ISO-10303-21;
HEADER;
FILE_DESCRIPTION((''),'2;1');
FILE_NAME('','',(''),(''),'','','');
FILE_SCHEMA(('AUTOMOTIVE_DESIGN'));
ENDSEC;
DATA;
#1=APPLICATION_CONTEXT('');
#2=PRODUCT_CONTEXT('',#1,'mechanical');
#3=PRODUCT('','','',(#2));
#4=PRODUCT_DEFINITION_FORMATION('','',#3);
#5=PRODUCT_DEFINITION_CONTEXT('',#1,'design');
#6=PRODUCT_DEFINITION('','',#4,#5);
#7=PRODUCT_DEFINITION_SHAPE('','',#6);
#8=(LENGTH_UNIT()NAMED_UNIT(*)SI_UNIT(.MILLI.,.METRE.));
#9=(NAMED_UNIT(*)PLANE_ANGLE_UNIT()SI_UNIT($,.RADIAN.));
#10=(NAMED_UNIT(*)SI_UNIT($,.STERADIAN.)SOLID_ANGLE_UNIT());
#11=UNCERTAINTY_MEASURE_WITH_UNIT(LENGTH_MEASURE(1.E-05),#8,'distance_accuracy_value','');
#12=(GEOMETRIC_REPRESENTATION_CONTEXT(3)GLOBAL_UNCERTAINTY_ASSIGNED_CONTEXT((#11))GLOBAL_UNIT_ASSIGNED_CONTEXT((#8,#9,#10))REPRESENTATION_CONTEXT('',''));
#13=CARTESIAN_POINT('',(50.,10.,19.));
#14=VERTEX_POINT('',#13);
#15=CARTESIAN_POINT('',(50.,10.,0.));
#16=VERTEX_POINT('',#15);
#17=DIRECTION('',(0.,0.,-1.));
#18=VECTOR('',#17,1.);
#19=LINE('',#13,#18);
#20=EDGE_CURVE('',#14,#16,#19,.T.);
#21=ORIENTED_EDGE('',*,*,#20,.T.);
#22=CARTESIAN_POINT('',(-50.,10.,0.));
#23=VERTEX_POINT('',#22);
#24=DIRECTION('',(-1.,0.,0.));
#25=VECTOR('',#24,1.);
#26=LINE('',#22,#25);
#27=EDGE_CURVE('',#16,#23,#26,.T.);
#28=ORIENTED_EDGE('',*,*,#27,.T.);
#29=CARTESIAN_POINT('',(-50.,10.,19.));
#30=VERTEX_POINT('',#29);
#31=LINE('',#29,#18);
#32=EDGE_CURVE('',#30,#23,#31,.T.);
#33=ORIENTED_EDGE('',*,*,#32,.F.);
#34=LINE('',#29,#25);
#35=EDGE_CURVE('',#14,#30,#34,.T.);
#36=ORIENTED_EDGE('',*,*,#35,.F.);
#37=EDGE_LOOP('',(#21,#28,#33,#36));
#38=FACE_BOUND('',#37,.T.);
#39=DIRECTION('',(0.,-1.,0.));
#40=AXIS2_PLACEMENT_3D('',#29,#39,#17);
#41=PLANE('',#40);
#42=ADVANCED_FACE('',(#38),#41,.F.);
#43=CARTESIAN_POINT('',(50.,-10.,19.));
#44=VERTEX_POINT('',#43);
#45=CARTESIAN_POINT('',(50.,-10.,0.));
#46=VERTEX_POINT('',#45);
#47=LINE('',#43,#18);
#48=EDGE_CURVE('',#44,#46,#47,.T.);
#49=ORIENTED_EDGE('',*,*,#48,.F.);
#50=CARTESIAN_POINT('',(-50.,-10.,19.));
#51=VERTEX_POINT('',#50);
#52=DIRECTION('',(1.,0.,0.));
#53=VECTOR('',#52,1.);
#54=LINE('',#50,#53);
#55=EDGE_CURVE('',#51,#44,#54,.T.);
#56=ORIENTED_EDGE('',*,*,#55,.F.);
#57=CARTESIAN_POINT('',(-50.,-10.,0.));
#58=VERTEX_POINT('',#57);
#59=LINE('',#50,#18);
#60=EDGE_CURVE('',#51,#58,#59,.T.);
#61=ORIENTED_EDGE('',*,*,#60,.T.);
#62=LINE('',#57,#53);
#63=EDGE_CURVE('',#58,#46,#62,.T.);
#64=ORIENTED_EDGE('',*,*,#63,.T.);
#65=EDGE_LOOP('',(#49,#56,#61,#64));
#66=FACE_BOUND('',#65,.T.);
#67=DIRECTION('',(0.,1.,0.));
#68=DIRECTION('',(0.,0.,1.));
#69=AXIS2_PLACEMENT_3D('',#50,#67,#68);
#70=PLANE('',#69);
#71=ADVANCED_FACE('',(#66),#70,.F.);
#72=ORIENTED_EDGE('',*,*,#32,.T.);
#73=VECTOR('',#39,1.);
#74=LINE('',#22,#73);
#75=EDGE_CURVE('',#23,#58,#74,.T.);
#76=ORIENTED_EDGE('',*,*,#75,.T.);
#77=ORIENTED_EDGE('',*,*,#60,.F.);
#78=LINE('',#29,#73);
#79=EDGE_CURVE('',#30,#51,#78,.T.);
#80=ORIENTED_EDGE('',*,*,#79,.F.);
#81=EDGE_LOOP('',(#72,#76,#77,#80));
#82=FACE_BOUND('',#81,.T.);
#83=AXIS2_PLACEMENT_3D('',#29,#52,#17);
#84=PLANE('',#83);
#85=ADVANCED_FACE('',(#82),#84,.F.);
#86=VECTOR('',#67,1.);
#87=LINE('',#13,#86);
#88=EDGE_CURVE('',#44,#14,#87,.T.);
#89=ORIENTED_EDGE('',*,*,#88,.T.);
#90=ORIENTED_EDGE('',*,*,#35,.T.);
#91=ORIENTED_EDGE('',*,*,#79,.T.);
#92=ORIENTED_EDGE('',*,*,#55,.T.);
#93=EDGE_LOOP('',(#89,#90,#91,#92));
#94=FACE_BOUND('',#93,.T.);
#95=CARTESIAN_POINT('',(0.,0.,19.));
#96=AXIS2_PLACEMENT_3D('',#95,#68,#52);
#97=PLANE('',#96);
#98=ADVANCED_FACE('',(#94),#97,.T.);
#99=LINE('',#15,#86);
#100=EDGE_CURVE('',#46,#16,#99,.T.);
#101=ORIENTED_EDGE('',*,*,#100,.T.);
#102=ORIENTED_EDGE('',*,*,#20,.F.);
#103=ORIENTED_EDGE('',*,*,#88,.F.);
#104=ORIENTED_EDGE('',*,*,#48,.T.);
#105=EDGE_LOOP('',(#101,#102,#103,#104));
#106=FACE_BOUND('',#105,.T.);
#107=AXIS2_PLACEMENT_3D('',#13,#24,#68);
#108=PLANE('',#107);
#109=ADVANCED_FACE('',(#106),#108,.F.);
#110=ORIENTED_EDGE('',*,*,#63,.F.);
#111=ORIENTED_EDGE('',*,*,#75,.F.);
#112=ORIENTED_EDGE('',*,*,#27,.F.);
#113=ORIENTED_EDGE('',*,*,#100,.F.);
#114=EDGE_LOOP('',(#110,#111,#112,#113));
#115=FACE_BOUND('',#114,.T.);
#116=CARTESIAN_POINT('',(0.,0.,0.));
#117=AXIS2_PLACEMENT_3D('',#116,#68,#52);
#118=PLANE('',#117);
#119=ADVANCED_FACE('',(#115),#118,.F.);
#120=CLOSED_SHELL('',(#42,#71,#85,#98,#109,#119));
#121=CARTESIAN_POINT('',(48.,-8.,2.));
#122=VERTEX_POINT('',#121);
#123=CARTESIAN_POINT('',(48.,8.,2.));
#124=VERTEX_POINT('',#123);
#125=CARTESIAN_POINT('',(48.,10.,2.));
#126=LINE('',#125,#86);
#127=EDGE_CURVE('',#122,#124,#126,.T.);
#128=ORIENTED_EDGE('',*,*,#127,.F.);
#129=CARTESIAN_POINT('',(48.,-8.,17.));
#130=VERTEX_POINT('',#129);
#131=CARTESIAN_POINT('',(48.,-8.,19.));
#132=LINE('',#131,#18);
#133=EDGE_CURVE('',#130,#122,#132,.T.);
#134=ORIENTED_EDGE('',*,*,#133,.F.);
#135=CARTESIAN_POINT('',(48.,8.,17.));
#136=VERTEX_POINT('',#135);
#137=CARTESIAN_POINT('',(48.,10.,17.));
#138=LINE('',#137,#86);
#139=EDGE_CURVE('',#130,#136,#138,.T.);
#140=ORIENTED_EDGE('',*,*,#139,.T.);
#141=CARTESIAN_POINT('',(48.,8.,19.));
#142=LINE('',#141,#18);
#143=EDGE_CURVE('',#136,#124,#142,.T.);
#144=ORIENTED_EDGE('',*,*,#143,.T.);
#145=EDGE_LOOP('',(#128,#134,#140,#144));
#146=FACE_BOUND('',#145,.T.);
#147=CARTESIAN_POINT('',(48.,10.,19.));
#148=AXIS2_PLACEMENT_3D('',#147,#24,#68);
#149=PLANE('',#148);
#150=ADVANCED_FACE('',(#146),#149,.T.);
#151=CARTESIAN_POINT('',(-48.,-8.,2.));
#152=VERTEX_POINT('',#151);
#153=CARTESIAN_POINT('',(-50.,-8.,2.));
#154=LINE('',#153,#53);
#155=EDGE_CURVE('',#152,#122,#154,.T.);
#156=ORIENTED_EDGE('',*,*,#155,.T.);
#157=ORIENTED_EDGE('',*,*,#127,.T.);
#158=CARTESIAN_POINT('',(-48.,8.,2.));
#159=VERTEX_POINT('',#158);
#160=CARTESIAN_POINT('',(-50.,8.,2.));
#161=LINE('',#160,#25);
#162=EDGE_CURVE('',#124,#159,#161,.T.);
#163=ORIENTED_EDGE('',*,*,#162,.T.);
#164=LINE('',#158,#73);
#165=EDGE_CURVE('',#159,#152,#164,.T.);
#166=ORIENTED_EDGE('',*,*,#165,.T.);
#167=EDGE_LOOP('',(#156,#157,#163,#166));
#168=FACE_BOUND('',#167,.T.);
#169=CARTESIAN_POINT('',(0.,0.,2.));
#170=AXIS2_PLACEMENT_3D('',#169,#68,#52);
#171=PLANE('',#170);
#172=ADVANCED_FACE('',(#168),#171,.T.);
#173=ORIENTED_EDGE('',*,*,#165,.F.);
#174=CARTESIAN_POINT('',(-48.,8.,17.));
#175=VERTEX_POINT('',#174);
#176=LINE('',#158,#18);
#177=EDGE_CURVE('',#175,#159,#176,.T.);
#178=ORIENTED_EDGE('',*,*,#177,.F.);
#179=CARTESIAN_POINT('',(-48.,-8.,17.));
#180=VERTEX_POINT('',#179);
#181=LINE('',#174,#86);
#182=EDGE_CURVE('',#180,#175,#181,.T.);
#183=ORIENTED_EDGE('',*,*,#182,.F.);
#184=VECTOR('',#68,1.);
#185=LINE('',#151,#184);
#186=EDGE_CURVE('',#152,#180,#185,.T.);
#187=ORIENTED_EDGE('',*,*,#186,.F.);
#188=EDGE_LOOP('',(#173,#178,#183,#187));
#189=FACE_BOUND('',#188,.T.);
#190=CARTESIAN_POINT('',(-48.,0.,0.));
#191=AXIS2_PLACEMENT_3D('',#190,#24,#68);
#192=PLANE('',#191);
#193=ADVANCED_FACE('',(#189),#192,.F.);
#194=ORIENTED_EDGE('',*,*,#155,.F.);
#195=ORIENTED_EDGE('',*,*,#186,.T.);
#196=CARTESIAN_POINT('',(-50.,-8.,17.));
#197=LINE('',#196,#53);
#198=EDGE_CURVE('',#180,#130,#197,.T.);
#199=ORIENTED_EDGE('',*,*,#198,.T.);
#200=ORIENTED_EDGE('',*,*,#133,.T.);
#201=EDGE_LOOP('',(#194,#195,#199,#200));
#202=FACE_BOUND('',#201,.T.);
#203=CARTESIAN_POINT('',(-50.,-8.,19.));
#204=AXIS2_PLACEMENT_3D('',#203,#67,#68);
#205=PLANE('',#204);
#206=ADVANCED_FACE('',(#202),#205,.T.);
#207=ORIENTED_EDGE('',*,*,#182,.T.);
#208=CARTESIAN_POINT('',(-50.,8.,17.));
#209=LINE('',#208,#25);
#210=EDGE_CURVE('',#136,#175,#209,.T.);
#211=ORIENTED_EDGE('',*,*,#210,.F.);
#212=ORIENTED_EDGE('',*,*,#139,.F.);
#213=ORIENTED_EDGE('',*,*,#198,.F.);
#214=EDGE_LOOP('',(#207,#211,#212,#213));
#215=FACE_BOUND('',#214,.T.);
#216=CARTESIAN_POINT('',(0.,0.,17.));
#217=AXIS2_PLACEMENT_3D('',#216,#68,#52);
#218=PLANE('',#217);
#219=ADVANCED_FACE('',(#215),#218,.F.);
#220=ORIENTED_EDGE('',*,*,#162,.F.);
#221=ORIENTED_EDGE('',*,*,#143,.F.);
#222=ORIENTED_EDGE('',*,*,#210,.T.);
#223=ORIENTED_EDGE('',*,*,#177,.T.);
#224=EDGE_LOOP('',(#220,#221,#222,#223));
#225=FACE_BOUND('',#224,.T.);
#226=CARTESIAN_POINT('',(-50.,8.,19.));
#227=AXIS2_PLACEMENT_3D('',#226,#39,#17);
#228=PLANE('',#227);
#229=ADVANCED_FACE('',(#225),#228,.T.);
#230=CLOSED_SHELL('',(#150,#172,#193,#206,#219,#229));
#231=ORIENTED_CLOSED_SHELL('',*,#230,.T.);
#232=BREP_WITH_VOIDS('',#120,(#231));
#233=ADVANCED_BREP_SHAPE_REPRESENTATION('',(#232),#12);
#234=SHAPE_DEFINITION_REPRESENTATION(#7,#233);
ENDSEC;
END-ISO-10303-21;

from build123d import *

# Parameters (mm, degrees)
SKETCH_1_W      = 100
SKETCH_1_H      = 20
EXTRUDE_1_DEPTH = 19
SKETCH_1_2_W    = 100
SKETCH_1_2_H    = 20
EXTRUDE_2_DEPTH = 19
SHELL_1_T       = -2
SKETCH_2_W      = 15
SKETCH_2_H      = 16
EXTRUDE_3_DEPTH = 2


with BuildPart() as part:
    # 草圖1 → 填料-伸長1 (new body)
    with BuildSketch(Plane.XY):
        Rectangle(SKETCH_1_W, SKETCH_1_H)
    extrude(amount=EXTRUDE_1_DEPTH)

    # 草圖1<2> → 填料-伸長2 (add)
    with BuildSketch(Plane.XY):
        Rectangle(SKETCH_1_2_W, SKETCH_1_2_H)
    extrude(amount=EXTRUDE_2_DEPTH)

    # 薄殼1
    shell_1_openings = [part.faces().sort_by_distance(p)[0] for p in [
        (-50, 0, 9.5),
    ]]
    offset(amount=SHELL_1_T, openings=shell_1_openings, kind=Kind.INTERSECTION)

    # 草圖2 → 填料-伸長3 (add)
    with BuildSketch(Plane.ZY.offset(50)):
        with Locations((9.5, 0)):
            Rectangle(SKETCH_2_W, SKETCH_2_H)
    extrude(amount=-EXTRUDE_3_DEPTH)


solid = part.part
